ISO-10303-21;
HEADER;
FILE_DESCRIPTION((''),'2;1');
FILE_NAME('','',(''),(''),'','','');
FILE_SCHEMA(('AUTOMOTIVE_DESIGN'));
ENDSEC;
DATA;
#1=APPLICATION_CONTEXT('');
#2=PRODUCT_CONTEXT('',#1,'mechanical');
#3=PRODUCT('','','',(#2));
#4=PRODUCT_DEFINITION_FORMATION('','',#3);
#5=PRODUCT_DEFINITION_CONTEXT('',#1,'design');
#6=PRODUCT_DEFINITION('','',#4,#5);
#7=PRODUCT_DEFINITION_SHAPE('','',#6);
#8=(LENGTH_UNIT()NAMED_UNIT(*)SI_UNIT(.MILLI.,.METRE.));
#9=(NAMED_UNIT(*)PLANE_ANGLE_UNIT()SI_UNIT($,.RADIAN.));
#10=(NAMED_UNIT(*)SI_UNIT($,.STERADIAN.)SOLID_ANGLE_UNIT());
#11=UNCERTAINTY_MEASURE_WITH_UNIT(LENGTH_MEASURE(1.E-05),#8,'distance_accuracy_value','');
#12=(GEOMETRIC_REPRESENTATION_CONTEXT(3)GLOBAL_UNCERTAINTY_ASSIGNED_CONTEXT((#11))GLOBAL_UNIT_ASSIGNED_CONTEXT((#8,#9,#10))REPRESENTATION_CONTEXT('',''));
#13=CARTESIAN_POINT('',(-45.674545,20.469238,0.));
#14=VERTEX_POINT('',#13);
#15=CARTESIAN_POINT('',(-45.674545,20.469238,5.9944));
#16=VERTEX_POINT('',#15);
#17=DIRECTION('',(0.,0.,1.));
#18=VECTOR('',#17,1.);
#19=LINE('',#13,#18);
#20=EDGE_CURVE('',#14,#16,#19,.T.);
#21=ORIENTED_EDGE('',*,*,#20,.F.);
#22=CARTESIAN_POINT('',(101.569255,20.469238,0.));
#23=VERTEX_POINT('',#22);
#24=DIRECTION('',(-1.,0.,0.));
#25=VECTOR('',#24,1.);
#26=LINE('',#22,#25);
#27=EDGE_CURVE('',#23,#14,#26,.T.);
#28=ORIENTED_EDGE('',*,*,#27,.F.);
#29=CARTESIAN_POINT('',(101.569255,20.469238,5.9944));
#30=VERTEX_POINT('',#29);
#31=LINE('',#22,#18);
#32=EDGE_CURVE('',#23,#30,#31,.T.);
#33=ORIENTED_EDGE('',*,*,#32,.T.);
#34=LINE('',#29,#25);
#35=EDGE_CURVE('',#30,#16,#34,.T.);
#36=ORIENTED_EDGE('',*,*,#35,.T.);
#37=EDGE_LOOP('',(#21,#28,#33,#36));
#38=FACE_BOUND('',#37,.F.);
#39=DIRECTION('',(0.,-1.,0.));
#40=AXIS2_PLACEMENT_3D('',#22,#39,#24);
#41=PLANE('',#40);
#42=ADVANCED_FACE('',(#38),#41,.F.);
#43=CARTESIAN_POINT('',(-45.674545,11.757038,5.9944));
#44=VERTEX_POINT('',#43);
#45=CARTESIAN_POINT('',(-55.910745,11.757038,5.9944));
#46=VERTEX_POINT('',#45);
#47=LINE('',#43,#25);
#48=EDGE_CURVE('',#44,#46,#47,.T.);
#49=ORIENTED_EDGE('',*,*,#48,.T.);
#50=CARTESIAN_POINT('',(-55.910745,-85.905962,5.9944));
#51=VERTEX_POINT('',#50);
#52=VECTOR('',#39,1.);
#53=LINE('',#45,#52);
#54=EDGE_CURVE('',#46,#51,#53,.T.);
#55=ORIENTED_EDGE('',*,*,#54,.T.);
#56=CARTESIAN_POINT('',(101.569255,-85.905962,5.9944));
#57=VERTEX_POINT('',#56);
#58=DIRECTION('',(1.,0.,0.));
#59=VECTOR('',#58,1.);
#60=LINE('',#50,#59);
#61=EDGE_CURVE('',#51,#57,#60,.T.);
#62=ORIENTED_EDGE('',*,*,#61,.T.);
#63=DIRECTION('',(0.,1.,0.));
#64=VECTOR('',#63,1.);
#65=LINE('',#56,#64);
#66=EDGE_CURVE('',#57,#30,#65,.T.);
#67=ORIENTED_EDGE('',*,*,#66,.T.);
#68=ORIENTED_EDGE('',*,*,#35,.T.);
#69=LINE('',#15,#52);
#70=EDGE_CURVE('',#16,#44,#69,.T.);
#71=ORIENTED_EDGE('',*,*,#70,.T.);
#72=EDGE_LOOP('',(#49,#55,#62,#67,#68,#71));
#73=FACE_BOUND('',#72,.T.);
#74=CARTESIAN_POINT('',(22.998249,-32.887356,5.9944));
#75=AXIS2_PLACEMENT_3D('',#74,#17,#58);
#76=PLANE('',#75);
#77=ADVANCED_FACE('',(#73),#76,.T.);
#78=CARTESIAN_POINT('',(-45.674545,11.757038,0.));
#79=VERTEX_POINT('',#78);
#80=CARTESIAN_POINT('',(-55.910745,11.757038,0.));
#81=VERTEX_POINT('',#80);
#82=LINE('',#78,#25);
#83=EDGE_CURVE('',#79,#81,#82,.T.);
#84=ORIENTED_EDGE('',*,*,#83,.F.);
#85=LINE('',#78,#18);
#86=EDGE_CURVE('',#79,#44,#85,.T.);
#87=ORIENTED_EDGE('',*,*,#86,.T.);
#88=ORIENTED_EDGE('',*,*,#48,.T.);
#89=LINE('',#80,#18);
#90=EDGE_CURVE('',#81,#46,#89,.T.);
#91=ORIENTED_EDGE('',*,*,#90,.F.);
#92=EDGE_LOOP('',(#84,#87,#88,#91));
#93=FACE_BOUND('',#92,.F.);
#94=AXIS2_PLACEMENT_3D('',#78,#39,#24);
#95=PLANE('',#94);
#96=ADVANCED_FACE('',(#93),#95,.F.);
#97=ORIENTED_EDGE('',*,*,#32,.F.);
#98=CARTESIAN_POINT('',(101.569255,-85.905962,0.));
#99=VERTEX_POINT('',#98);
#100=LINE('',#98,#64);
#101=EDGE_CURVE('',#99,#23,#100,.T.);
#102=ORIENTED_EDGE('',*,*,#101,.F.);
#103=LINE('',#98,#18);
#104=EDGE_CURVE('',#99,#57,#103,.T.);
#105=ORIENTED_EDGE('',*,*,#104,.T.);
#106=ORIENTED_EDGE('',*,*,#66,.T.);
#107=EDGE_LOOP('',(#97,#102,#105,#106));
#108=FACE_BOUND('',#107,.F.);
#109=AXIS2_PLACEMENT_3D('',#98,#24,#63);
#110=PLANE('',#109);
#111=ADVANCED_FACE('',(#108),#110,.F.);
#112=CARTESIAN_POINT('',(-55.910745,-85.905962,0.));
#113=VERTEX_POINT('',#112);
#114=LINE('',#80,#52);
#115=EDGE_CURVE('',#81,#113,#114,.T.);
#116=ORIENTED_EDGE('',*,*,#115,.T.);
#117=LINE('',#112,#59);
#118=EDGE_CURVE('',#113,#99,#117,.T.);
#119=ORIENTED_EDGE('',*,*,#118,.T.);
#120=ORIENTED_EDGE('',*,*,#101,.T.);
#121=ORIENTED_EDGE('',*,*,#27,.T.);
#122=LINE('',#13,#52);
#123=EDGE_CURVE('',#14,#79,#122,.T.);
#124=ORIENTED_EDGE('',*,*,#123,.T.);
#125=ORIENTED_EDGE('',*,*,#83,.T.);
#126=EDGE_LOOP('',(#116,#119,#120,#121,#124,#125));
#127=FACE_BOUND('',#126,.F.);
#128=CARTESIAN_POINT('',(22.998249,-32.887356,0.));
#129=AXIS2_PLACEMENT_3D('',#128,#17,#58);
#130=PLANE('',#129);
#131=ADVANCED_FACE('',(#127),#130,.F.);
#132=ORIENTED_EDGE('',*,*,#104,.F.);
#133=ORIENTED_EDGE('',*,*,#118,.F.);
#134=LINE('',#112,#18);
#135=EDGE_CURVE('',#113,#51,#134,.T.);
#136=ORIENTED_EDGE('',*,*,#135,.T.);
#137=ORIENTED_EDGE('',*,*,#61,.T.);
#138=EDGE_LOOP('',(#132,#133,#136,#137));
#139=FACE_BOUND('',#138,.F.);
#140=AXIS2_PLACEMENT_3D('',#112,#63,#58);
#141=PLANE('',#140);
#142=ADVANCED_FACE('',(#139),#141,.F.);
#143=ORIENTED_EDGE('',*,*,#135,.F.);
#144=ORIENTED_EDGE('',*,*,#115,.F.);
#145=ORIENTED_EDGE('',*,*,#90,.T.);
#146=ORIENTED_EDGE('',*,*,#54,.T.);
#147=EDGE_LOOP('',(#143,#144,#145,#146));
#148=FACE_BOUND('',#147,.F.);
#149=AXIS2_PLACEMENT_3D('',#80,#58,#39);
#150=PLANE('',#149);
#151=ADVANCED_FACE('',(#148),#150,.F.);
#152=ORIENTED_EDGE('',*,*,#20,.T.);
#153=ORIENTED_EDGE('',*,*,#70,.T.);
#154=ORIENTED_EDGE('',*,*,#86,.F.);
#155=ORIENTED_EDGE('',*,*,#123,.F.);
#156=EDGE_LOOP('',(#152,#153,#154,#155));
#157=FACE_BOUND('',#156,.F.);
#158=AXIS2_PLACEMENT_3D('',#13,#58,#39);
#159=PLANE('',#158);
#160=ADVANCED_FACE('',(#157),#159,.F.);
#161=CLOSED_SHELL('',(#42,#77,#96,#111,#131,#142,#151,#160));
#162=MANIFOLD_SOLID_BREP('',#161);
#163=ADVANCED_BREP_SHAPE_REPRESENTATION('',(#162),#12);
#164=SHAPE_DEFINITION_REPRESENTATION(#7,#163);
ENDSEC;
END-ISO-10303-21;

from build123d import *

# Parameters (mm, degrees)
EXTRUDE_DEPTH = 5.9944


with BuildPart() as part:
    # Sketch → Extrude (new body)
    with BuildSketch(Plane.XY):
        Polygon((-55.910745, -85.905962), (101.569255, -85.905962), (101.569255, 20.469238), (-45.674545, 20.469238), (-45.674545, 11.757038), (-55.910745, 11.757038), align=None)
    extrude(amount=EXTRUDE_DEPTH)


solid = part.part
